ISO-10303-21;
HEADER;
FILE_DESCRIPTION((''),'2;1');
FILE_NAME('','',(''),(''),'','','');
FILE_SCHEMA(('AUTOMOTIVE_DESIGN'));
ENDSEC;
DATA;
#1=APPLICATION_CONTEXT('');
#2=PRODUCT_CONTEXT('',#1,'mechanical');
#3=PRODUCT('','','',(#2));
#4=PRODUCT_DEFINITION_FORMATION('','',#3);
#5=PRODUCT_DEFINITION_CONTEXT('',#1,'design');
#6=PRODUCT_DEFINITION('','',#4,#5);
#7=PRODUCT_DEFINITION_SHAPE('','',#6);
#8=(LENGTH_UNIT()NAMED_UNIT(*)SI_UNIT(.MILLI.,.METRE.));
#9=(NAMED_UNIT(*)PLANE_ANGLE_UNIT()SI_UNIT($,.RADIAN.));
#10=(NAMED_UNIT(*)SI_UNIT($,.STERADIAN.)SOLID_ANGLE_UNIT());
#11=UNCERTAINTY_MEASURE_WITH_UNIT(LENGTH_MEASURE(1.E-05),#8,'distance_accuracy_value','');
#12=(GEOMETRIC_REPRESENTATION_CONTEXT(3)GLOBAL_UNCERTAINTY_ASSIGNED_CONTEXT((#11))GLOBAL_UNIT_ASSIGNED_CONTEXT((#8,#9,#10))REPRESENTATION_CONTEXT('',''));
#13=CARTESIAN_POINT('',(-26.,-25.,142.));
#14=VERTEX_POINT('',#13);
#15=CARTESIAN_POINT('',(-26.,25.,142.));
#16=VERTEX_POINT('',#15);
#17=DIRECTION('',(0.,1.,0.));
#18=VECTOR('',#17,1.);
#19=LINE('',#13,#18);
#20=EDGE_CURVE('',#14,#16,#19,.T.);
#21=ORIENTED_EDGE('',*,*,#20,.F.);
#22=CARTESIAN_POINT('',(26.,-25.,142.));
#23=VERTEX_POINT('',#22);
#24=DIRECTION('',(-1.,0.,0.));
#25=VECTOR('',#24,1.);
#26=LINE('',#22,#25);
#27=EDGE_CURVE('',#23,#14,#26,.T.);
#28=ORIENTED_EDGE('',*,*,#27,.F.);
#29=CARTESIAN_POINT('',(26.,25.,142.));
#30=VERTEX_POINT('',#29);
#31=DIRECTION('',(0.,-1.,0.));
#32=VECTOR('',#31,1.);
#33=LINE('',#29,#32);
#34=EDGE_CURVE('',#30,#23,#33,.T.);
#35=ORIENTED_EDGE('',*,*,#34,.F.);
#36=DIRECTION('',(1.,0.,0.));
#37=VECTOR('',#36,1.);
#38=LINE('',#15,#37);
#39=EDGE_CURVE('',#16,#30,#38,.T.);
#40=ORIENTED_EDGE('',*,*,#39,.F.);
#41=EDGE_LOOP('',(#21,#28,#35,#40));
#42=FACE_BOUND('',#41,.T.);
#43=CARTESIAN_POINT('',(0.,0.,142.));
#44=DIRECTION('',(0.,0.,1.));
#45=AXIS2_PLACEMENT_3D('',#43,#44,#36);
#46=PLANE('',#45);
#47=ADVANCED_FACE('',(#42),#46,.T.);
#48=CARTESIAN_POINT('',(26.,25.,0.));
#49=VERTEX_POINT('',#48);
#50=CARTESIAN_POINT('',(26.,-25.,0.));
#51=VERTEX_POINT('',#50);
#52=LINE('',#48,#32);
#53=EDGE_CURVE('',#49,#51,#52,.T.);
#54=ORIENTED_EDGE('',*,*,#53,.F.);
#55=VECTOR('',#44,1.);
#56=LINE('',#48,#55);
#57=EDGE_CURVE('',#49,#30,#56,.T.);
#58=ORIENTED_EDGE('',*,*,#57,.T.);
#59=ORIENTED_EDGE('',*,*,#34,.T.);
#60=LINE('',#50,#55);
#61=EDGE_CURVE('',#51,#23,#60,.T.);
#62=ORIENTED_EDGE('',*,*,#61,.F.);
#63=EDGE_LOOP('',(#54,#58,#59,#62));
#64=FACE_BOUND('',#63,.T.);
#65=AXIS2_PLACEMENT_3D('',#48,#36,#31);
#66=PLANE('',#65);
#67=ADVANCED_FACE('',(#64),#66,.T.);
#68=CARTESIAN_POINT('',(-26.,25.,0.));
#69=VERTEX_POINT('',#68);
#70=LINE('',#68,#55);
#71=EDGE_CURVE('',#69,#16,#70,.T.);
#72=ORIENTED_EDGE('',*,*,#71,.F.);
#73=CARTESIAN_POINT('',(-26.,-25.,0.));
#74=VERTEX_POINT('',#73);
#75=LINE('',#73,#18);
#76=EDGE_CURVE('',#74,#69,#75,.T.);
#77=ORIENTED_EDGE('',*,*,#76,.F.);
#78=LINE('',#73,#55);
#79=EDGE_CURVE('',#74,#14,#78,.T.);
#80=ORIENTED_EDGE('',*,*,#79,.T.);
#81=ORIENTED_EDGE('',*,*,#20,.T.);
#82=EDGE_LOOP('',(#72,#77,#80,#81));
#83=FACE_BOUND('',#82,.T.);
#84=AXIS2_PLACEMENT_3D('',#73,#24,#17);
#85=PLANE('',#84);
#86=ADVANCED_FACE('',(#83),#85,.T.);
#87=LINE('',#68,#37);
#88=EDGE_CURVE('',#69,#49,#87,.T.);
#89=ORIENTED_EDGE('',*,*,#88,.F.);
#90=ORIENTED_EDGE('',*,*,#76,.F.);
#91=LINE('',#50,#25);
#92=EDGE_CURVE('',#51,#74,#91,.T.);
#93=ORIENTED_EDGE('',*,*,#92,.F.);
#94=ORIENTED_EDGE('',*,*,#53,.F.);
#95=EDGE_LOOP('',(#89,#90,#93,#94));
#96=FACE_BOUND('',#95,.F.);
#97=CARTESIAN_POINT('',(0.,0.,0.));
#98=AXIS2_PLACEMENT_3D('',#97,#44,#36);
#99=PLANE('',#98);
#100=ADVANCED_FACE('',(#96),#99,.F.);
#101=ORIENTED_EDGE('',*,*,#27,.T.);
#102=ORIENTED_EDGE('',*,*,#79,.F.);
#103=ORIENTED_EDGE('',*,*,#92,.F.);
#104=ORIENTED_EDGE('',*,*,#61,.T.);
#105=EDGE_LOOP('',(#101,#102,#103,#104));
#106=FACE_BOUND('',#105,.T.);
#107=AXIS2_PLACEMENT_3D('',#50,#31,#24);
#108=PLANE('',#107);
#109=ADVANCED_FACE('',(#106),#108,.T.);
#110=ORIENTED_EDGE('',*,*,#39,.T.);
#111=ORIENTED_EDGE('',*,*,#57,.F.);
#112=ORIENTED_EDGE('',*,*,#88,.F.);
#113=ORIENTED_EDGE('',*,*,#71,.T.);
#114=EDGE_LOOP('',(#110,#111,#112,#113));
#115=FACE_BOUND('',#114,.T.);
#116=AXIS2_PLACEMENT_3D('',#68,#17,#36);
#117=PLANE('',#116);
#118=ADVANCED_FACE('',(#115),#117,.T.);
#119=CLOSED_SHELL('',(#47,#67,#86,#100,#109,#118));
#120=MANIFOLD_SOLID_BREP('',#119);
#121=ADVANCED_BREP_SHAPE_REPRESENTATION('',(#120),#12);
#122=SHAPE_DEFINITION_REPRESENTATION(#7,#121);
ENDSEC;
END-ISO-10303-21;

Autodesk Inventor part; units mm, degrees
ref_plane "YZ Plane" through (0, 0, 0) normal (1, 0, 0) x (0, 1, 0)
ref_plane "XZ Plane" through (0, 0, 0) normal (0, 1, 0) x (-1, 0, 0)
ref_plane "XY Plane" through (0, 0, 0) normal (0, 0, 1) x (1, 0, 0)
sketch "Sketch1" plane through (0, 0, 0) normal (0, 0, 1) x (1, 0, 0)
  line L0 (-26, 25) -> (26, 25)
  line L1 (26, 25) -> (26, -25)
  line L2 (26, -25) -> (-26, -25)
  line L3 (-26, -25) -> (-26, 25)
  line L4 (-26, 25) -> (26, -25) construction
  line L5 (26, 25) -> (-26, -25) construction
  point P0 (0, 0)
  dimension "d0" = 52
  dimension "d1" = 50
extrude "Extrusion1" add sketch "Sketch1" along normal blind 142
properties part number "Zippy Flightmax 5000 6S 20C"
